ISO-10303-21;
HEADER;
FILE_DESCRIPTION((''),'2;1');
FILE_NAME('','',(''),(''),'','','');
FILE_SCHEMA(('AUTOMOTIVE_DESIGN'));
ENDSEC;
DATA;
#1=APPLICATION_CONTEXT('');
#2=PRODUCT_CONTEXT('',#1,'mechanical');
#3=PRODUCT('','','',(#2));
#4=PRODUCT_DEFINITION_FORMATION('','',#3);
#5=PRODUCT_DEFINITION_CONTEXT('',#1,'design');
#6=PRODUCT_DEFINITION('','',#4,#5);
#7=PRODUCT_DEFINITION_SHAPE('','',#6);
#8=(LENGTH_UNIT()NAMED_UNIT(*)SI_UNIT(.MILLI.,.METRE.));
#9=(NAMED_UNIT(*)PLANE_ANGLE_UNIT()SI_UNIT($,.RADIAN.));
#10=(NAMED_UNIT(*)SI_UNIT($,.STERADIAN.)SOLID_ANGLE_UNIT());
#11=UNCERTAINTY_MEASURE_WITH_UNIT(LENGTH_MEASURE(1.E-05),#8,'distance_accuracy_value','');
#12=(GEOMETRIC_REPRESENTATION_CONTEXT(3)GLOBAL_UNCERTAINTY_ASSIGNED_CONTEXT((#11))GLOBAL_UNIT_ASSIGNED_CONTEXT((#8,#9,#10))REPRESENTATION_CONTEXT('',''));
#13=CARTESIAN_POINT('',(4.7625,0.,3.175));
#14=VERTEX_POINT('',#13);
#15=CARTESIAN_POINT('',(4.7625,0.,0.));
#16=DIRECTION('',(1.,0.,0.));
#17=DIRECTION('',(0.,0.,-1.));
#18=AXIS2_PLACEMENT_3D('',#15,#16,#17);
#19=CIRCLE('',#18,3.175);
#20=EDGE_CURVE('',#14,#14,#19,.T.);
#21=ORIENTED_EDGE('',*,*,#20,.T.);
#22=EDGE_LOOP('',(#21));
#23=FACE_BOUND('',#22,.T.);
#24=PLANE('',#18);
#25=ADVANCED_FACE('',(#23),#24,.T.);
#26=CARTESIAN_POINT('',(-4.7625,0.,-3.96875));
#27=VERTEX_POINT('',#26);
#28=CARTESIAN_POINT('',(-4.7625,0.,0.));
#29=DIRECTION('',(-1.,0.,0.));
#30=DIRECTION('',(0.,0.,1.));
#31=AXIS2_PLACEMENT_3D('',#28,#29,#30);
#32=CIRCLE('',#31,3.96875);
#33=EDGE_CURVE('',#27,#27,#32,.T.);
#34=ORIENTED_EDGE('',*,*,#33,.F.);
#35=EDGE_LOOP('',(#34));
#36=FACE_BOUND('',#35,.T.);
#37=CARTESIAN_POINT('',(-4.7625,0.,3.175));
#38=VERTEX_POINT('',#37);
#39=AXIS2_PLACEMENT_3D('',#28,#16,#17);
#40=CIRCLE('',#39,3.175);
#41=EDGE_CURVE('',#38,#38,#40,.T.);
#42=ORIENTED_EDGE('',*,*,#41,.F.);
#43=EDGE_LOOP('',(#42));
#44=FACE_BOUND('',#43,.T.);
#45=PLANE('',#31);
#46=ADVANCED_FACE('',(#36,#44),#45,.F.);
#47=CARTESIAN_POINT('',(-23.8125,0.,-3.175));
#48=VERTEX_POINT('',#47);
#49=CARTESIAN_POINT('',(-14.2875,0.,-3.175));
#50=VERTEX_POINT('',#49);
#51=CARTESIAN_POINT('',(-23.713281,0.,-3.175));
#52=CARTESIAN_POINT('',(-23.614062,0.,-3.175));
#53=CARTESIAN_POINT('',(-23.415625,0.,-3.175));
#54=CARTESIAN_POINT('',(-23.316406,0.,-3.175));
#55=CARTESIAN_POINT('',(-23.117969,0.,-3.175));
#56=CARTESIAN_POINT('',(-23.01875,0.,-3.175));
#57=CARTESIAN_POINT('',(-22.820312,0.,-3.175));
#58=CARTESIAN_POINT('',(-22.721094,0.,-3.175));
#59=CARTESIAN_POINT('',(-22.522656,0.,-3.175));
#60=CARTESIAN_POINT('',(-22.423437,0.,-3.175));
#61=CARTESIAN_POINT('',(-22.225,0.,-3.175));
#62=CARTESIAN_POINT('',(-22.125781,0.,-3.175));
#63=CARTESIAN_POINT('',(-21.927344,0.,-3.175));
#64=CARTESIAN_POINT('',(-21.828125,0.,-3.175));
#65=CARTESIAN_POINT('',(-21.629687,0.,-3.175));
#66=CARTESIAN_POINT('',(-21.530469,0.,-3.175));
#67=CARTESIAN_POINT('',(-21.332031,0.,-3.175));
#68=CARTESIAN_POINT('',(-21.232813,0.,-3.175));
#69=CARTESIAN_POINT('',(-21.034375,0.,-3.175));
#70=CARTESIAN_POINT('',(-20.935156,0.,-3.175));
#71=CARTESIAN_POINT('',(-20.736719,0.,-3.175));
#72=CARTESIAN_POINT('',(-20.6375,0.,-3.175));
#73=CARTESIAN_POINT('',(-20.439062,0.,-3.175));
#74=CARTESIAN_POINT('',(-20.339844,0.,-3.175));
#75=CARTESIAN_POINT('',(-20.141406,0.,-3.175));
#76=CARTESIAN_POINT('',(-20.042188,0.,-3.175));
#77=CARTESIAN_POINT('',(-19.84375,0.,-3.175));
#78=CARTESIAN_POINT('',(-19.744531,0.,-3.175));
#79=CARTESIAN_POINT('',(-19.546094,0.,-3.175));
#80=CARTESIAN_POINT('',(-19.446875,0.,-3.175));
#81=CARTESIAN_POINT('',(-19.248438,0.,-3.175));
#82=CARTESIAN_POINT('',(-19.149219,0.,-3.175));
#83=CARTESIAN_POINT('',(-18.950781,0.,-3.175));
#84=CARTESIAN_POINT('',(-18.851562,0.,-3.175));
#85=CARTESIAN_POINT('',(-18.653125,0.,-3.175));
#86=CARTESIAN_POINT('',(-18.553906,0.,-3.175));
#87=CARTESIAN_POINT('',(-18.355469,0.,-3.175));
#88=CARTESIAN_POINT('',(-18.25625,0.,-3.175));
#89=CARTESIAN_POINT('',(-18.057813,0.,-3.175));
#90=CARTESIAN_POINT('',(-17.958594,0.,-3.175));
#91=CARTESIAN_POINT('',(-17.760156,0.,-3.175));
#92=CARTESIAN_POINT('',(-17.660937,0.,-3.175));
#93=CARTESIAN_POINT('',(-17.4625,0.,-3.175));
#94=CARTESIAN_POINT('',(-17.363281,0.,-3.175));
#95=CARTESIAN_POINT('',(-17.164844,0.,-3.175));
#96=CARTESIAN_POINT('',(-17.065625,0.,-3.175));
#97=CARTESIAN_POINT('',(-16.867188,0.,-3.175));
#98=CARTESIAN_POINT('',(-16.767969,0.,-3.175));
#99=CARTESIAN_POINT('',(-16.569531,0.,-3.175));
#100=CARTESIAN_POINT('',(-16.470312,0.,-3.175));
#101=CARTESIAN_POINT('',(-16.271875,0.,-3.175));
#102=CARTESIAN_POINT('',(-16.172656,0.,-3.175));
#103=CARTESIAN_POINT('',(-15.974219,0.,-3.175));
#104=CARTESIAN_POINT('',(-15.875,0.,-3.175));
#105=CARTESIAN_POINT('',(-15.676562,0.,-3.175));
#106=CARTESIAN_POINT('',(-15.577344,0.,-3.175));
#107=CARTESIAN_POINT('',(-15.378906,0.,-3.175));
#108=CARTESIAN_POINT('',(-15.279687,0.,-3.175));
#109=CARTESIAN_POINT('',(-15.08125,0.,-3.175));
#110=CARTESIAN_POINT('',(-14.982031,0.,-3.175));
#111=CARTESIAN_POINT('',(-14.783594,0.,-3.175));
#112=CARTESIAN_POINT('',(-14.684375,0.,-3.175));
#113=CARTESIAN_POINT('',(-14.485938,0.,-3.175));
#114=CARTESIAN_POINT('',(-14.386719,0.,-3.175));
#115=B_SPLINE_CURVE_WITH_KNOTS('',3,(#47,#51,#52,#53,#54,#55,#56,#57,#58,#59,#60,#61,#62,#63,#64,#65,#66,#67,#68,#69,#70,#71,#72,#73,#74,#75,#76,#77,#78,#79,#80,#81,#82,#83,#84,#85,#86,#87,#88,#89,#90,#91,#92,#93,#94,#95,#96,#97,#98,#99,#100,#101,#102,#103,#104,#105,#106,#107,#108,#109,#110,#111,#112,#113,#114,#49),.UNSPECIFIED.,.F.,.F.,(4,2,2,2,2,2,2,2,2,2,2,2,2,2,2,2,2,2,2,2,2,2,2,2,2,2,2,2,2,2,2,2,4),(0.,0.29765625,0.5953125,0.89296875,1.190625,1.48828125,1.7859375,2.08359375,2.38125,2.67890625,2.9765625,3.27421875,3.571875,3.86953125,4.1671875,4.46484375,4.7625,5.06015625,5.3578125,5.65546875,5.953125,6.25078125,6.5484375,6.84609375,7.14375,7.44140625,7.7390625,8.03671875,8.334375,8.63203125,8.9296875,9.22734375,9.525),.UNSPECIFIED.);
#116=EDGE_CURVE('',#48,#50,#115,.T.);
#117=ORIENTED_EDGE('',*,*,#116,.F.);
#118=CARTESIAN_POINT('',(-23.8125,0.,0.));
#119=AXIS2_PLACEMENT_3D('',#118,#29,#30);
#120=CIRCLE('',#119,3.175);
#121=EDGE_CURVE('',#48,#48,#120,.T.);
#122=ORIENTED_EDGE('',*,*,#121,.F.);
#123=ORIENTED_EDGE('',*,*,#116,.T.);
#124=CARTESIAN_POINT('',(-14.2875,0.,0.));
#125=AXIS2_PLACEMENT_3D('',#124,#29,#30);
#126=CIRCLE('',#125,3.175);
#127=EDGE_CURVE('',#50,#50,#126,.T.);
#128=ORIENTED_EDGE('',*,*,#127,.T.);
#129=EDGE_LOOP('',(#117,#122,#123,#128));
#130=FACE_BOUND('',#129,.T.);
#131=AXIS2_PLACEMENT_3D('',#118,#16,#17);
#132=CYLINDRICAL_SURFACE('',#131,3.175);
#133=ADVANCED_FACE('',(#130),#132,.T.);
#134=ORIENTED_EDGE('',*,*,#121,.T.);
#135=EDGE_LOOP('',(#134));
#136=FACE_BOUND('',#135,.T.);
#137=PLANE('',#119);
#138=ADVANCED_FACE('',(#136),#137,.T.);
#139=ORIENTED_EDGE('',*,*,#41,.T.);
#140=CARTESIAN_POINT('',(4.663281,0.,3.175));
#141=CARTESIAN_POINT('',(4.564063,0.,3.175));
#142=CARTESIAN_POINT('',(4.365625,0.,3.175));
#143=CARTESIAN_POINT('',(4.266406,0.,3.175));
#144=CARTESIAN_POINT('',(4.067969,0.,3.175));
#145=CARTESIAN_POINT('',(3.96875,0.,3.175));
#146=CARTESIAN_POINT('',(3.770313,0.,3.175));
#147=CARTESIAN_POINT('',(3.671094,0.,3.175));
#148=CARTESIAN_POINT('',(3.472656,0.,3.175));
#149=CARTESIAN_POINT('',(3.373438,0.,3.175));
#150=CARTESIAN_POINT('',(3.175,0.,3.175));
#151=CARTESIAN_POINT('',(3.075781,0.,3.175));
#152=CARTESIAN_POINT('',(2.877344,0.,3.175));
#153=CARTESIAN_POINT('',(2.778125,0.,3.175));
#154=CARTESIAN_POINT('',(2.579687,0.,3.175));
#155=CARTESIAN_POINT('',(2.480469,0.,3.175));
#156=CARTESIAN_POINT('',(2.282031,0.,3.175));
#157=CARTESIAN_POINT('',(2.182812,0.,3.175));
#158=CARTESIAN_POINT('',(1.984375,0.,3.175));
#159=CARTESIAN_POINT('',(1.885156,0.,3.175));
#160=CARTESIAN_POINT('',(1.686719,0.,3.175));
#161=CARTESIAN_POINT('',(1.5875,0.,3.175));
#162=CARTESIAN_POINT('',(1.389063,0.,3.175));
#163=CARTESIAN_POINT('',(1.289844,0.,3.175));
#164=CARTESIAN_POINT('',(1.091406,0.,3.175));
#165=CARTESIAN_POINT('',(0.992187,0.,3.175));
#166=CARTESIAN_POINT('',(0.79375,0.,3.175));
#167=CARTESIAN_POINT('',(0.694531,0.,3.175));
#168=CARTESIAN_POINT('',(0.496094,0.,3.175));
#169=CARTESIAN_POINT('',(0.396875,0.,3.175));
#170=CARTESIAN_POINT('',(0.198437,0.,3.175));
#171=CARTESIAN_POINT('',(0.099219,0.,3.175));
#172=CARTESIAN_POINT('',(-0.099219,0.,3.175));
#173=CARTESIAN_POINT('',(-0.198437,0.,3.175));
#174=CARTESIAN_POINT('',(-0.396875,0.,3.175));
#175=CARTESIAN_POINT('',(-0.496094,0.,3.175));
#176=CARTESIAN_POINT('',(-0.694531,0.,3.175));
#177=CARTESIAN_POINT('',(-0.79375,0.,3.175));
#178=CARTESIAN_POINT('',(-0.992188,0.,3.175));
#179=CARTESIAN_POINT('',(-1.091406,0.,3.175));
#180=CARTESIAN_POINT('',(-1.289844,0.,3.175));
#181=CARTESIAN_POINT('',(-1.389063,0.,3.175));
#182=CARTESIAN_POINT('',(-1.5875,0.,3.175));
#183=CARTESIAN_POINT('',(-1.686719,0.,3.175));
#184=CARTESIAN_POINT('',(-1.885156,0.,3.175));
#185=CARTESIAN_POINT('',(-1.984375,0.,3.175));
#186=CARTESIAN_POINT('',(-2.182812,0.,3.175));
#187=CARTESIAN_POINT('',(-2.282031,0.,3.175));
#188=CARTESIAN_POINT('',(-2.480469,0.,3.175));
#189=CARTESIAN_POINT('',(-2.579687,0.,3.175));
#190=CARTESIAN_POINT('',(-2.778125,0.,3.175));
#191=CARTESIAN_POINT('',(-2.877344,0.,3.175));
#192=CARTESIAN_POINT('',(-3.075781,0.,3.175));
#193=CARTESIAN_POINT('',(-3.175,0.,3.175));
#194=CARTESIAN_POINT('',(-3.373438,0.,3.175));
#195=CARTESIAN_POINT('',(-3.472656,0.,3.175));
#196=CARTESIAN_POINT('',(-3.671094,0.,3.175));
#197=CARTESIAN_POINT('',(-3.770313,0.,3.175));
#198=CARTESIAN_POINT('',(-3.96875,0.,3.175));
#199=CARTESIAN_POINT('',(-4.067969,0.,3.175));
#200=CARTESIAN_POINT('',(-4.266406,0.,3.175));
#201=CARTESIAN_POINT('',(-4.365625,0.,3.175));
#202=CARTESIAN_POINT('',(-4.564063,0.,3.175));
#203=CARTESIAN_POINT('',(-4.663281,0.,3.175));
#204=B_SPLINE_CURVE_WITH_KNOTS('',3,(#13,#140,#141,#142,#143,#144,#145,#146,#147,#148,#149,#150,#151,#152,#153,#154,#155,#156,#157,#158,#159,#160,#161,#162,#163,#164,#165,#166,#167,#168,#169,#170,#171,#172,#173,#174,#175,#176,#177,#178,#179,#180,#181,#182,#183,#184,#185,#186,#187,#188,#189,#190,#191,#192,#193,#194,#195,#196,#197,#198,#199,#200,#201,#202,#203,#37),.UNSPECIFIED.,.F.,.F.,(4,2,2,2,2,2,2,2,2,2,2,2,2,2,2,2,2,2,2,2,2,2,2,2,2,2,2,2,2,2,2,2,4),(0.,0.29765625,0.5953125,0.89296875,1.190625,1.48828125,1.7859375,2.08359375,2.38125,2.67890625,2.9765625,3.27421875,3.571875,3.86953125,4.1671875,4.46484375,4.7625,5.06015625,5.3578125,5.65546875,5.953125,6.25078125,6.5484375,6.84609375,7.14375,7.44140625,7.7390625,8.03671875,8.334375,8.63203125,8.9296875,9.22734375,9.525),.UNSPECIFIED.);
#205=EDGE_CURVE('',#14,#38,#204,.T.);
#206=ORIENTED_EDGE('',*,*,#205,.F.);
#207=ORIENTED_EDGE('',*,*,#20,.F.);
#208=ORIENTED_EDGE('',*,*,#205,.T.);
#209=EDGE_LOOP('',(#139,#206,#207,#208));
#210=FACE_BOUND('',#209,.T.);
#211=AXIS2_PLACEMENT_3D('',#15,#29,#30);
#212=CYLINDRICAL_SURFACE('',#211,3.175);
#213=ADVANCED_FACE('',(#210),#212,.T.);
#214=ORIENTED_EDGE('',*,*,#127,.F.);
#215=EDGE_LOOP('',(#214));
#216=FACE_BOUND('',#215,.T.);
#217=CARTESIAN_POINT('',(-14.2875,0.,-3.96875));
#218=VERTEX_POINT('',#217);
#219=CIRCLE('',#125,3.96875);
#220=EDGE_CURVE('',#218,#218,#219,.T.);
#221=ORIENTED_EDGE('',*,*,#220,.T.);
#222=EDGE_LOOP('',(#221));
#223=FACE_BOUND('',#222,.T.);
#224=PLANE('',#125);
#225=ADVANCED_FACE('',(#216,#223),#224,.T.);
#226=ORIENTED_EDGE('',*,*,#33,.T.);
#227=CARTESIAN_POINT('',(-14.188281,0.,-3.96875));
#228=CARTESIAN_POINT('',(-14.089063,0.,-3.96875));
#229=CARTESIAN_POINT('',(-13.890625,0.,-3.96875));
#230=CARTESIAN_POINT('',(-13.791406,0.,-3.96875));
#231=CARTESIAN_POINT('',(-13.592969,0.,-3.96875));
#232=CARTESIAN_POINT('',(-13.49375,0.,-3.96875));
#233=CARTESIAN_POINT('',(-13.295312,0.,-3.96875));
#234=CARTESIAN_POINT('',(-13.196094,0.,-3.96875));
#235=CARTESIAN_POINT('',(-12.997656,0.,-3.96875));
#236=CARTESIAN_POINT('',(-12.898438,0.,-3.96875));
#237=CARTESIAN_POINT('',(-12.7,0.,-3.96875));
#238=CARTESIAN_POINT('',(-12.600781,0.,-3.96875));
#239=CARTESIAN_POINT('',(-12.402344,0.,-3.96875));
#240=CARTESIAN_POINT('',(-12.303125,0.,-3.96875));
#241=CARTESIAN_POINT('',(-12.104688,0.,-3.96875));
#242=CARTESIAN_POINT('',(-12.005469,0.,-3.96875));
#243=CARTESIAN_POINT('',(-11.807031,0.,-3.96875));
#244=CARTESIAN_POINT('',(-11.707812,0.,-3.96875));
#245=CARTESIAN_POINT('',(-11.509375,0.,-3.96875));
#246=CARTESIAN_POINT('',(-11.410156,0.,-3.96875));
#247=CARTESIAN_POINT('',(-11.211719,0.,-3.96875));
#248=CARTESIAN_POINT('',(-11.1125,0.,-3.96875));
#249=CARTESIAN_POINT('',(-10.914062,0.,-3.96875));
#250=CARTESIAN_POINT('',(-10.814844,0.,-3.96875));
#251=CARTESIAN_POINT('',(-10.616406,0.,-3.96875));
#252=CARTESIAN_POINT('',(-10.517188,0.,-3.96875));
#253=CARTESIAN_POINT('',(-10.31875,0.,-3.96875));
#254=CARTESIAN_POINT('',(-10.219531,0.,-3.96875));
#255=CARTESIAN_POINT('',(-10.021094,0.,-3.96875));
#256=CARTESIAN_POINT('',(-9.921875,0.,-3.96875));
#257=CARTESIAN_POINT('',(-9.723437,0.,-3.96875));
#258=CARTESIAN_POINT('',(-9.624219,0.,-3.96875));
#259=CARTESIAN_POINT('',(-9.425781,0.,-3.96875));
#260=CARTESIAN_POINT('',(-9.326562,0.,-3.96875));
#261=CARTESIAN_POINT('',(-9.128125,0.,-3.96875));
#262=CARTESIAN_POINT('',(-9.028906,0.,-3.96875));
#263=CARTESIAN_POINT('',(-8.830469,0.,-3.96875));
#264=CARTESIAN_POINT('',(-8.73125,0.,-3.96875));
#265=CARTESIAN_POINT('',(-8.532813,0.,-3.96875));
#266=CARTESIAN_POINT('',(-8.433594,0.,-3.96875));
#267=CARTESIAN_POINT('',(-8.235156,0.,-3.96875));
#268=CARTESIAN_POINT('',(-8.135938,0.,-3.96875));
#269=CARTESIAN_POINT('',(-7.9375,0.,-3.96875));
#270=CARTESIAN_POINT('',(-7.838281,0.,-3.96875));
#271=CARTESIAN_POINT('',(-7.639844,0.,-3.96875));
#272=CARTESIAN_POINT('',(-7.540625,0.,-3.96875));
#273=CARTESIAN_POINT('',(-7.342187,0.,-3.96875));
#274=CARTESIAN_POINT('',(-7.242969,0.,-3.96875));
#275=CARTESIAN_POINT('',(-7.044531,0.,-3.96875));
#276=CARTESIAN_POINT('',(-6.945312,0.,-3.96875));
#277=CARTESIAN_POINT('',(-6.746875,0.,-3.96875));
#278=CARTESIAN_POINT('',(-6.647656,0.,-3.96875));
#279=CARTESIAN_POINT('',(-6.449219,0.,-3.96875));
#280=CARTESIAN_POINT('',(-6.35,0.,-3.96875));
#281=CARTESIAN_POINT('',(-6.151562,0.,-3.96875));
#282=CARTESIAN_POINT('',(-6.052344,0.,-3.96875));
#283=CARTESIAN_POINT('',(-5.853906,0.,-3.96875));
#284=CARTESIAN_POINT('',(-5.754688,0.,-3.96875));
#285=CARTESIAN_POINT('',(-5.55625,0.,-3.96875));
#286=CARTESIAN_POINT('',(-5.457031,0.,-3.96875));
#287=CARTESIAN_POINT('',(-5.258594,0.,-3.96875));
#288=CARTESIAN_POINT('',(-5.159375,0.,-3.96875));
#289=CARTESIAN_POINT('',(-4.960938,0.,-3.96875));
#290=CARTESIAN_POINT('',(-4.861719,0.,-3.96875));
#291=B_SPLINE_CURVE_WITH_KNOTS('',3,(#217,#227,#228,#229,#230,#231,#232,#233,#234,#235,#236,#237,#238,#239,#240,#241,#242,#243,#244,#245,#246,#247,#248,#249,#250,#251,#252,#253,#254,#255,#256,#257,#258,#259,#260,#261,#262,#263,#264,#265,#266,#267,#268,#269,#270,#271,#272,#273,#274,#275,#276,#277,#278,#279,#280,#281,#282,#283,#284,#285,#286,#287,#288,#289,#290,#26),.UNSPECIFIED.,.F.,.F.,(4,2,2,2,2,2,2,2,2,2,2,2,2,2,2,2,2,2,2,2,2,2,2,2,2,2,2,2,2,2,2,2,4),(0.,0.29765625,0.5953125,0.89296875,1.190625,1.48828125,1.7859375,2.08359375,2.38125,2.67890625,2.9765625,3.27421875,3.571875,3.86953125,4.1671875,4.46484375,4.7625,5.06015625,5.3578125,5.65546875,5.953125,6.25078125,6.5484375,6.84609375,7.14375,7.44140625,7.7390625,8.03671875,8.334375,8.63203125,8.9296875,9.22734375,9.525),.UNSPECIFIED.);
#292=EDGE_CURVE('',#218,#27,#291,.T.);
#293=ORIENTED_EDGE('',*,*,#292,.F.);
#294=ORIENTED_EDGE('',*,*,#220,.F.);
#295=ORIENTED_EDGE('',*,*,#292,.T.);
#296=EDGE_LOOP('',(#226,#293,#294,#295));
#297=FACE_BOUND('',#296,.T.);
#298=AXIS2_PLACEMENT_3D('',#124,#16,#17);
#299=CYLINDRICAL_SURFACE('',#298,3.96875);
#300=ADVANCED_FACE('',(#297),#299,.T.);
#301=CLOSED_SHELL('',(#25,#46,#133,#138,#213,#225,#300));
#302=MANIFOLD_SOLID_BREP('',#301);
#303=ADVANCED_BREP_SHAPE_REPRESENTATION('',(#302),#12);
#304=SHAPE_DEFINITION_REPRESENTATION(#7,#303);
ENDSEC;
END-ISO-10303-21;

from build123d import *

# Parameters (mm, degrees)
SKETCH2_R           = 3.175
BOSS_EXTRUDE1_DEPTH = 4.7625
SKETCH3_R           = 3.96875
BOSS_EXTRUDE2_DEPTH = 9.525
SKETCH5_R           = 3.175
BOSS_EXTRUDE3_DEPTH = 9.525


with BuildPart() as part:
    # Sketch2 → Boss-Extrude1 (new, symmetric)
    with BuildSketch(Plane(origin=(0, 0, 0), x_dir=(0, 0, -1), z_dir=(1, 0, 0))):
        with Locations(Location((0, 0, 0), (0, 0, 180))):
            Circle(SKETCH2_R)
    extrude(amount=BOSS_EXTRUDE1_DEPTH, both=True)

    # Sketch3 → Boss-Extrude2 (add)
    with BuildSketch(Plane.ZY.offset(4.7625)):
        with Locations(Location((0, 0, 0), (0, 0, 180))):
            Circle(SKETCH3_R)
    extrude(amount=BOSS_EXTRUDE2_DEPTH)

    # Sketch5 → Boss-Extrude3 (add)
    with BuildSketch(Plane.ZY.offset(14.2875)):
        Circle(SKETCH5_R)
    extrude(amount=BOSS_EXTRUDE3_DEPTH)


solid = part.part
